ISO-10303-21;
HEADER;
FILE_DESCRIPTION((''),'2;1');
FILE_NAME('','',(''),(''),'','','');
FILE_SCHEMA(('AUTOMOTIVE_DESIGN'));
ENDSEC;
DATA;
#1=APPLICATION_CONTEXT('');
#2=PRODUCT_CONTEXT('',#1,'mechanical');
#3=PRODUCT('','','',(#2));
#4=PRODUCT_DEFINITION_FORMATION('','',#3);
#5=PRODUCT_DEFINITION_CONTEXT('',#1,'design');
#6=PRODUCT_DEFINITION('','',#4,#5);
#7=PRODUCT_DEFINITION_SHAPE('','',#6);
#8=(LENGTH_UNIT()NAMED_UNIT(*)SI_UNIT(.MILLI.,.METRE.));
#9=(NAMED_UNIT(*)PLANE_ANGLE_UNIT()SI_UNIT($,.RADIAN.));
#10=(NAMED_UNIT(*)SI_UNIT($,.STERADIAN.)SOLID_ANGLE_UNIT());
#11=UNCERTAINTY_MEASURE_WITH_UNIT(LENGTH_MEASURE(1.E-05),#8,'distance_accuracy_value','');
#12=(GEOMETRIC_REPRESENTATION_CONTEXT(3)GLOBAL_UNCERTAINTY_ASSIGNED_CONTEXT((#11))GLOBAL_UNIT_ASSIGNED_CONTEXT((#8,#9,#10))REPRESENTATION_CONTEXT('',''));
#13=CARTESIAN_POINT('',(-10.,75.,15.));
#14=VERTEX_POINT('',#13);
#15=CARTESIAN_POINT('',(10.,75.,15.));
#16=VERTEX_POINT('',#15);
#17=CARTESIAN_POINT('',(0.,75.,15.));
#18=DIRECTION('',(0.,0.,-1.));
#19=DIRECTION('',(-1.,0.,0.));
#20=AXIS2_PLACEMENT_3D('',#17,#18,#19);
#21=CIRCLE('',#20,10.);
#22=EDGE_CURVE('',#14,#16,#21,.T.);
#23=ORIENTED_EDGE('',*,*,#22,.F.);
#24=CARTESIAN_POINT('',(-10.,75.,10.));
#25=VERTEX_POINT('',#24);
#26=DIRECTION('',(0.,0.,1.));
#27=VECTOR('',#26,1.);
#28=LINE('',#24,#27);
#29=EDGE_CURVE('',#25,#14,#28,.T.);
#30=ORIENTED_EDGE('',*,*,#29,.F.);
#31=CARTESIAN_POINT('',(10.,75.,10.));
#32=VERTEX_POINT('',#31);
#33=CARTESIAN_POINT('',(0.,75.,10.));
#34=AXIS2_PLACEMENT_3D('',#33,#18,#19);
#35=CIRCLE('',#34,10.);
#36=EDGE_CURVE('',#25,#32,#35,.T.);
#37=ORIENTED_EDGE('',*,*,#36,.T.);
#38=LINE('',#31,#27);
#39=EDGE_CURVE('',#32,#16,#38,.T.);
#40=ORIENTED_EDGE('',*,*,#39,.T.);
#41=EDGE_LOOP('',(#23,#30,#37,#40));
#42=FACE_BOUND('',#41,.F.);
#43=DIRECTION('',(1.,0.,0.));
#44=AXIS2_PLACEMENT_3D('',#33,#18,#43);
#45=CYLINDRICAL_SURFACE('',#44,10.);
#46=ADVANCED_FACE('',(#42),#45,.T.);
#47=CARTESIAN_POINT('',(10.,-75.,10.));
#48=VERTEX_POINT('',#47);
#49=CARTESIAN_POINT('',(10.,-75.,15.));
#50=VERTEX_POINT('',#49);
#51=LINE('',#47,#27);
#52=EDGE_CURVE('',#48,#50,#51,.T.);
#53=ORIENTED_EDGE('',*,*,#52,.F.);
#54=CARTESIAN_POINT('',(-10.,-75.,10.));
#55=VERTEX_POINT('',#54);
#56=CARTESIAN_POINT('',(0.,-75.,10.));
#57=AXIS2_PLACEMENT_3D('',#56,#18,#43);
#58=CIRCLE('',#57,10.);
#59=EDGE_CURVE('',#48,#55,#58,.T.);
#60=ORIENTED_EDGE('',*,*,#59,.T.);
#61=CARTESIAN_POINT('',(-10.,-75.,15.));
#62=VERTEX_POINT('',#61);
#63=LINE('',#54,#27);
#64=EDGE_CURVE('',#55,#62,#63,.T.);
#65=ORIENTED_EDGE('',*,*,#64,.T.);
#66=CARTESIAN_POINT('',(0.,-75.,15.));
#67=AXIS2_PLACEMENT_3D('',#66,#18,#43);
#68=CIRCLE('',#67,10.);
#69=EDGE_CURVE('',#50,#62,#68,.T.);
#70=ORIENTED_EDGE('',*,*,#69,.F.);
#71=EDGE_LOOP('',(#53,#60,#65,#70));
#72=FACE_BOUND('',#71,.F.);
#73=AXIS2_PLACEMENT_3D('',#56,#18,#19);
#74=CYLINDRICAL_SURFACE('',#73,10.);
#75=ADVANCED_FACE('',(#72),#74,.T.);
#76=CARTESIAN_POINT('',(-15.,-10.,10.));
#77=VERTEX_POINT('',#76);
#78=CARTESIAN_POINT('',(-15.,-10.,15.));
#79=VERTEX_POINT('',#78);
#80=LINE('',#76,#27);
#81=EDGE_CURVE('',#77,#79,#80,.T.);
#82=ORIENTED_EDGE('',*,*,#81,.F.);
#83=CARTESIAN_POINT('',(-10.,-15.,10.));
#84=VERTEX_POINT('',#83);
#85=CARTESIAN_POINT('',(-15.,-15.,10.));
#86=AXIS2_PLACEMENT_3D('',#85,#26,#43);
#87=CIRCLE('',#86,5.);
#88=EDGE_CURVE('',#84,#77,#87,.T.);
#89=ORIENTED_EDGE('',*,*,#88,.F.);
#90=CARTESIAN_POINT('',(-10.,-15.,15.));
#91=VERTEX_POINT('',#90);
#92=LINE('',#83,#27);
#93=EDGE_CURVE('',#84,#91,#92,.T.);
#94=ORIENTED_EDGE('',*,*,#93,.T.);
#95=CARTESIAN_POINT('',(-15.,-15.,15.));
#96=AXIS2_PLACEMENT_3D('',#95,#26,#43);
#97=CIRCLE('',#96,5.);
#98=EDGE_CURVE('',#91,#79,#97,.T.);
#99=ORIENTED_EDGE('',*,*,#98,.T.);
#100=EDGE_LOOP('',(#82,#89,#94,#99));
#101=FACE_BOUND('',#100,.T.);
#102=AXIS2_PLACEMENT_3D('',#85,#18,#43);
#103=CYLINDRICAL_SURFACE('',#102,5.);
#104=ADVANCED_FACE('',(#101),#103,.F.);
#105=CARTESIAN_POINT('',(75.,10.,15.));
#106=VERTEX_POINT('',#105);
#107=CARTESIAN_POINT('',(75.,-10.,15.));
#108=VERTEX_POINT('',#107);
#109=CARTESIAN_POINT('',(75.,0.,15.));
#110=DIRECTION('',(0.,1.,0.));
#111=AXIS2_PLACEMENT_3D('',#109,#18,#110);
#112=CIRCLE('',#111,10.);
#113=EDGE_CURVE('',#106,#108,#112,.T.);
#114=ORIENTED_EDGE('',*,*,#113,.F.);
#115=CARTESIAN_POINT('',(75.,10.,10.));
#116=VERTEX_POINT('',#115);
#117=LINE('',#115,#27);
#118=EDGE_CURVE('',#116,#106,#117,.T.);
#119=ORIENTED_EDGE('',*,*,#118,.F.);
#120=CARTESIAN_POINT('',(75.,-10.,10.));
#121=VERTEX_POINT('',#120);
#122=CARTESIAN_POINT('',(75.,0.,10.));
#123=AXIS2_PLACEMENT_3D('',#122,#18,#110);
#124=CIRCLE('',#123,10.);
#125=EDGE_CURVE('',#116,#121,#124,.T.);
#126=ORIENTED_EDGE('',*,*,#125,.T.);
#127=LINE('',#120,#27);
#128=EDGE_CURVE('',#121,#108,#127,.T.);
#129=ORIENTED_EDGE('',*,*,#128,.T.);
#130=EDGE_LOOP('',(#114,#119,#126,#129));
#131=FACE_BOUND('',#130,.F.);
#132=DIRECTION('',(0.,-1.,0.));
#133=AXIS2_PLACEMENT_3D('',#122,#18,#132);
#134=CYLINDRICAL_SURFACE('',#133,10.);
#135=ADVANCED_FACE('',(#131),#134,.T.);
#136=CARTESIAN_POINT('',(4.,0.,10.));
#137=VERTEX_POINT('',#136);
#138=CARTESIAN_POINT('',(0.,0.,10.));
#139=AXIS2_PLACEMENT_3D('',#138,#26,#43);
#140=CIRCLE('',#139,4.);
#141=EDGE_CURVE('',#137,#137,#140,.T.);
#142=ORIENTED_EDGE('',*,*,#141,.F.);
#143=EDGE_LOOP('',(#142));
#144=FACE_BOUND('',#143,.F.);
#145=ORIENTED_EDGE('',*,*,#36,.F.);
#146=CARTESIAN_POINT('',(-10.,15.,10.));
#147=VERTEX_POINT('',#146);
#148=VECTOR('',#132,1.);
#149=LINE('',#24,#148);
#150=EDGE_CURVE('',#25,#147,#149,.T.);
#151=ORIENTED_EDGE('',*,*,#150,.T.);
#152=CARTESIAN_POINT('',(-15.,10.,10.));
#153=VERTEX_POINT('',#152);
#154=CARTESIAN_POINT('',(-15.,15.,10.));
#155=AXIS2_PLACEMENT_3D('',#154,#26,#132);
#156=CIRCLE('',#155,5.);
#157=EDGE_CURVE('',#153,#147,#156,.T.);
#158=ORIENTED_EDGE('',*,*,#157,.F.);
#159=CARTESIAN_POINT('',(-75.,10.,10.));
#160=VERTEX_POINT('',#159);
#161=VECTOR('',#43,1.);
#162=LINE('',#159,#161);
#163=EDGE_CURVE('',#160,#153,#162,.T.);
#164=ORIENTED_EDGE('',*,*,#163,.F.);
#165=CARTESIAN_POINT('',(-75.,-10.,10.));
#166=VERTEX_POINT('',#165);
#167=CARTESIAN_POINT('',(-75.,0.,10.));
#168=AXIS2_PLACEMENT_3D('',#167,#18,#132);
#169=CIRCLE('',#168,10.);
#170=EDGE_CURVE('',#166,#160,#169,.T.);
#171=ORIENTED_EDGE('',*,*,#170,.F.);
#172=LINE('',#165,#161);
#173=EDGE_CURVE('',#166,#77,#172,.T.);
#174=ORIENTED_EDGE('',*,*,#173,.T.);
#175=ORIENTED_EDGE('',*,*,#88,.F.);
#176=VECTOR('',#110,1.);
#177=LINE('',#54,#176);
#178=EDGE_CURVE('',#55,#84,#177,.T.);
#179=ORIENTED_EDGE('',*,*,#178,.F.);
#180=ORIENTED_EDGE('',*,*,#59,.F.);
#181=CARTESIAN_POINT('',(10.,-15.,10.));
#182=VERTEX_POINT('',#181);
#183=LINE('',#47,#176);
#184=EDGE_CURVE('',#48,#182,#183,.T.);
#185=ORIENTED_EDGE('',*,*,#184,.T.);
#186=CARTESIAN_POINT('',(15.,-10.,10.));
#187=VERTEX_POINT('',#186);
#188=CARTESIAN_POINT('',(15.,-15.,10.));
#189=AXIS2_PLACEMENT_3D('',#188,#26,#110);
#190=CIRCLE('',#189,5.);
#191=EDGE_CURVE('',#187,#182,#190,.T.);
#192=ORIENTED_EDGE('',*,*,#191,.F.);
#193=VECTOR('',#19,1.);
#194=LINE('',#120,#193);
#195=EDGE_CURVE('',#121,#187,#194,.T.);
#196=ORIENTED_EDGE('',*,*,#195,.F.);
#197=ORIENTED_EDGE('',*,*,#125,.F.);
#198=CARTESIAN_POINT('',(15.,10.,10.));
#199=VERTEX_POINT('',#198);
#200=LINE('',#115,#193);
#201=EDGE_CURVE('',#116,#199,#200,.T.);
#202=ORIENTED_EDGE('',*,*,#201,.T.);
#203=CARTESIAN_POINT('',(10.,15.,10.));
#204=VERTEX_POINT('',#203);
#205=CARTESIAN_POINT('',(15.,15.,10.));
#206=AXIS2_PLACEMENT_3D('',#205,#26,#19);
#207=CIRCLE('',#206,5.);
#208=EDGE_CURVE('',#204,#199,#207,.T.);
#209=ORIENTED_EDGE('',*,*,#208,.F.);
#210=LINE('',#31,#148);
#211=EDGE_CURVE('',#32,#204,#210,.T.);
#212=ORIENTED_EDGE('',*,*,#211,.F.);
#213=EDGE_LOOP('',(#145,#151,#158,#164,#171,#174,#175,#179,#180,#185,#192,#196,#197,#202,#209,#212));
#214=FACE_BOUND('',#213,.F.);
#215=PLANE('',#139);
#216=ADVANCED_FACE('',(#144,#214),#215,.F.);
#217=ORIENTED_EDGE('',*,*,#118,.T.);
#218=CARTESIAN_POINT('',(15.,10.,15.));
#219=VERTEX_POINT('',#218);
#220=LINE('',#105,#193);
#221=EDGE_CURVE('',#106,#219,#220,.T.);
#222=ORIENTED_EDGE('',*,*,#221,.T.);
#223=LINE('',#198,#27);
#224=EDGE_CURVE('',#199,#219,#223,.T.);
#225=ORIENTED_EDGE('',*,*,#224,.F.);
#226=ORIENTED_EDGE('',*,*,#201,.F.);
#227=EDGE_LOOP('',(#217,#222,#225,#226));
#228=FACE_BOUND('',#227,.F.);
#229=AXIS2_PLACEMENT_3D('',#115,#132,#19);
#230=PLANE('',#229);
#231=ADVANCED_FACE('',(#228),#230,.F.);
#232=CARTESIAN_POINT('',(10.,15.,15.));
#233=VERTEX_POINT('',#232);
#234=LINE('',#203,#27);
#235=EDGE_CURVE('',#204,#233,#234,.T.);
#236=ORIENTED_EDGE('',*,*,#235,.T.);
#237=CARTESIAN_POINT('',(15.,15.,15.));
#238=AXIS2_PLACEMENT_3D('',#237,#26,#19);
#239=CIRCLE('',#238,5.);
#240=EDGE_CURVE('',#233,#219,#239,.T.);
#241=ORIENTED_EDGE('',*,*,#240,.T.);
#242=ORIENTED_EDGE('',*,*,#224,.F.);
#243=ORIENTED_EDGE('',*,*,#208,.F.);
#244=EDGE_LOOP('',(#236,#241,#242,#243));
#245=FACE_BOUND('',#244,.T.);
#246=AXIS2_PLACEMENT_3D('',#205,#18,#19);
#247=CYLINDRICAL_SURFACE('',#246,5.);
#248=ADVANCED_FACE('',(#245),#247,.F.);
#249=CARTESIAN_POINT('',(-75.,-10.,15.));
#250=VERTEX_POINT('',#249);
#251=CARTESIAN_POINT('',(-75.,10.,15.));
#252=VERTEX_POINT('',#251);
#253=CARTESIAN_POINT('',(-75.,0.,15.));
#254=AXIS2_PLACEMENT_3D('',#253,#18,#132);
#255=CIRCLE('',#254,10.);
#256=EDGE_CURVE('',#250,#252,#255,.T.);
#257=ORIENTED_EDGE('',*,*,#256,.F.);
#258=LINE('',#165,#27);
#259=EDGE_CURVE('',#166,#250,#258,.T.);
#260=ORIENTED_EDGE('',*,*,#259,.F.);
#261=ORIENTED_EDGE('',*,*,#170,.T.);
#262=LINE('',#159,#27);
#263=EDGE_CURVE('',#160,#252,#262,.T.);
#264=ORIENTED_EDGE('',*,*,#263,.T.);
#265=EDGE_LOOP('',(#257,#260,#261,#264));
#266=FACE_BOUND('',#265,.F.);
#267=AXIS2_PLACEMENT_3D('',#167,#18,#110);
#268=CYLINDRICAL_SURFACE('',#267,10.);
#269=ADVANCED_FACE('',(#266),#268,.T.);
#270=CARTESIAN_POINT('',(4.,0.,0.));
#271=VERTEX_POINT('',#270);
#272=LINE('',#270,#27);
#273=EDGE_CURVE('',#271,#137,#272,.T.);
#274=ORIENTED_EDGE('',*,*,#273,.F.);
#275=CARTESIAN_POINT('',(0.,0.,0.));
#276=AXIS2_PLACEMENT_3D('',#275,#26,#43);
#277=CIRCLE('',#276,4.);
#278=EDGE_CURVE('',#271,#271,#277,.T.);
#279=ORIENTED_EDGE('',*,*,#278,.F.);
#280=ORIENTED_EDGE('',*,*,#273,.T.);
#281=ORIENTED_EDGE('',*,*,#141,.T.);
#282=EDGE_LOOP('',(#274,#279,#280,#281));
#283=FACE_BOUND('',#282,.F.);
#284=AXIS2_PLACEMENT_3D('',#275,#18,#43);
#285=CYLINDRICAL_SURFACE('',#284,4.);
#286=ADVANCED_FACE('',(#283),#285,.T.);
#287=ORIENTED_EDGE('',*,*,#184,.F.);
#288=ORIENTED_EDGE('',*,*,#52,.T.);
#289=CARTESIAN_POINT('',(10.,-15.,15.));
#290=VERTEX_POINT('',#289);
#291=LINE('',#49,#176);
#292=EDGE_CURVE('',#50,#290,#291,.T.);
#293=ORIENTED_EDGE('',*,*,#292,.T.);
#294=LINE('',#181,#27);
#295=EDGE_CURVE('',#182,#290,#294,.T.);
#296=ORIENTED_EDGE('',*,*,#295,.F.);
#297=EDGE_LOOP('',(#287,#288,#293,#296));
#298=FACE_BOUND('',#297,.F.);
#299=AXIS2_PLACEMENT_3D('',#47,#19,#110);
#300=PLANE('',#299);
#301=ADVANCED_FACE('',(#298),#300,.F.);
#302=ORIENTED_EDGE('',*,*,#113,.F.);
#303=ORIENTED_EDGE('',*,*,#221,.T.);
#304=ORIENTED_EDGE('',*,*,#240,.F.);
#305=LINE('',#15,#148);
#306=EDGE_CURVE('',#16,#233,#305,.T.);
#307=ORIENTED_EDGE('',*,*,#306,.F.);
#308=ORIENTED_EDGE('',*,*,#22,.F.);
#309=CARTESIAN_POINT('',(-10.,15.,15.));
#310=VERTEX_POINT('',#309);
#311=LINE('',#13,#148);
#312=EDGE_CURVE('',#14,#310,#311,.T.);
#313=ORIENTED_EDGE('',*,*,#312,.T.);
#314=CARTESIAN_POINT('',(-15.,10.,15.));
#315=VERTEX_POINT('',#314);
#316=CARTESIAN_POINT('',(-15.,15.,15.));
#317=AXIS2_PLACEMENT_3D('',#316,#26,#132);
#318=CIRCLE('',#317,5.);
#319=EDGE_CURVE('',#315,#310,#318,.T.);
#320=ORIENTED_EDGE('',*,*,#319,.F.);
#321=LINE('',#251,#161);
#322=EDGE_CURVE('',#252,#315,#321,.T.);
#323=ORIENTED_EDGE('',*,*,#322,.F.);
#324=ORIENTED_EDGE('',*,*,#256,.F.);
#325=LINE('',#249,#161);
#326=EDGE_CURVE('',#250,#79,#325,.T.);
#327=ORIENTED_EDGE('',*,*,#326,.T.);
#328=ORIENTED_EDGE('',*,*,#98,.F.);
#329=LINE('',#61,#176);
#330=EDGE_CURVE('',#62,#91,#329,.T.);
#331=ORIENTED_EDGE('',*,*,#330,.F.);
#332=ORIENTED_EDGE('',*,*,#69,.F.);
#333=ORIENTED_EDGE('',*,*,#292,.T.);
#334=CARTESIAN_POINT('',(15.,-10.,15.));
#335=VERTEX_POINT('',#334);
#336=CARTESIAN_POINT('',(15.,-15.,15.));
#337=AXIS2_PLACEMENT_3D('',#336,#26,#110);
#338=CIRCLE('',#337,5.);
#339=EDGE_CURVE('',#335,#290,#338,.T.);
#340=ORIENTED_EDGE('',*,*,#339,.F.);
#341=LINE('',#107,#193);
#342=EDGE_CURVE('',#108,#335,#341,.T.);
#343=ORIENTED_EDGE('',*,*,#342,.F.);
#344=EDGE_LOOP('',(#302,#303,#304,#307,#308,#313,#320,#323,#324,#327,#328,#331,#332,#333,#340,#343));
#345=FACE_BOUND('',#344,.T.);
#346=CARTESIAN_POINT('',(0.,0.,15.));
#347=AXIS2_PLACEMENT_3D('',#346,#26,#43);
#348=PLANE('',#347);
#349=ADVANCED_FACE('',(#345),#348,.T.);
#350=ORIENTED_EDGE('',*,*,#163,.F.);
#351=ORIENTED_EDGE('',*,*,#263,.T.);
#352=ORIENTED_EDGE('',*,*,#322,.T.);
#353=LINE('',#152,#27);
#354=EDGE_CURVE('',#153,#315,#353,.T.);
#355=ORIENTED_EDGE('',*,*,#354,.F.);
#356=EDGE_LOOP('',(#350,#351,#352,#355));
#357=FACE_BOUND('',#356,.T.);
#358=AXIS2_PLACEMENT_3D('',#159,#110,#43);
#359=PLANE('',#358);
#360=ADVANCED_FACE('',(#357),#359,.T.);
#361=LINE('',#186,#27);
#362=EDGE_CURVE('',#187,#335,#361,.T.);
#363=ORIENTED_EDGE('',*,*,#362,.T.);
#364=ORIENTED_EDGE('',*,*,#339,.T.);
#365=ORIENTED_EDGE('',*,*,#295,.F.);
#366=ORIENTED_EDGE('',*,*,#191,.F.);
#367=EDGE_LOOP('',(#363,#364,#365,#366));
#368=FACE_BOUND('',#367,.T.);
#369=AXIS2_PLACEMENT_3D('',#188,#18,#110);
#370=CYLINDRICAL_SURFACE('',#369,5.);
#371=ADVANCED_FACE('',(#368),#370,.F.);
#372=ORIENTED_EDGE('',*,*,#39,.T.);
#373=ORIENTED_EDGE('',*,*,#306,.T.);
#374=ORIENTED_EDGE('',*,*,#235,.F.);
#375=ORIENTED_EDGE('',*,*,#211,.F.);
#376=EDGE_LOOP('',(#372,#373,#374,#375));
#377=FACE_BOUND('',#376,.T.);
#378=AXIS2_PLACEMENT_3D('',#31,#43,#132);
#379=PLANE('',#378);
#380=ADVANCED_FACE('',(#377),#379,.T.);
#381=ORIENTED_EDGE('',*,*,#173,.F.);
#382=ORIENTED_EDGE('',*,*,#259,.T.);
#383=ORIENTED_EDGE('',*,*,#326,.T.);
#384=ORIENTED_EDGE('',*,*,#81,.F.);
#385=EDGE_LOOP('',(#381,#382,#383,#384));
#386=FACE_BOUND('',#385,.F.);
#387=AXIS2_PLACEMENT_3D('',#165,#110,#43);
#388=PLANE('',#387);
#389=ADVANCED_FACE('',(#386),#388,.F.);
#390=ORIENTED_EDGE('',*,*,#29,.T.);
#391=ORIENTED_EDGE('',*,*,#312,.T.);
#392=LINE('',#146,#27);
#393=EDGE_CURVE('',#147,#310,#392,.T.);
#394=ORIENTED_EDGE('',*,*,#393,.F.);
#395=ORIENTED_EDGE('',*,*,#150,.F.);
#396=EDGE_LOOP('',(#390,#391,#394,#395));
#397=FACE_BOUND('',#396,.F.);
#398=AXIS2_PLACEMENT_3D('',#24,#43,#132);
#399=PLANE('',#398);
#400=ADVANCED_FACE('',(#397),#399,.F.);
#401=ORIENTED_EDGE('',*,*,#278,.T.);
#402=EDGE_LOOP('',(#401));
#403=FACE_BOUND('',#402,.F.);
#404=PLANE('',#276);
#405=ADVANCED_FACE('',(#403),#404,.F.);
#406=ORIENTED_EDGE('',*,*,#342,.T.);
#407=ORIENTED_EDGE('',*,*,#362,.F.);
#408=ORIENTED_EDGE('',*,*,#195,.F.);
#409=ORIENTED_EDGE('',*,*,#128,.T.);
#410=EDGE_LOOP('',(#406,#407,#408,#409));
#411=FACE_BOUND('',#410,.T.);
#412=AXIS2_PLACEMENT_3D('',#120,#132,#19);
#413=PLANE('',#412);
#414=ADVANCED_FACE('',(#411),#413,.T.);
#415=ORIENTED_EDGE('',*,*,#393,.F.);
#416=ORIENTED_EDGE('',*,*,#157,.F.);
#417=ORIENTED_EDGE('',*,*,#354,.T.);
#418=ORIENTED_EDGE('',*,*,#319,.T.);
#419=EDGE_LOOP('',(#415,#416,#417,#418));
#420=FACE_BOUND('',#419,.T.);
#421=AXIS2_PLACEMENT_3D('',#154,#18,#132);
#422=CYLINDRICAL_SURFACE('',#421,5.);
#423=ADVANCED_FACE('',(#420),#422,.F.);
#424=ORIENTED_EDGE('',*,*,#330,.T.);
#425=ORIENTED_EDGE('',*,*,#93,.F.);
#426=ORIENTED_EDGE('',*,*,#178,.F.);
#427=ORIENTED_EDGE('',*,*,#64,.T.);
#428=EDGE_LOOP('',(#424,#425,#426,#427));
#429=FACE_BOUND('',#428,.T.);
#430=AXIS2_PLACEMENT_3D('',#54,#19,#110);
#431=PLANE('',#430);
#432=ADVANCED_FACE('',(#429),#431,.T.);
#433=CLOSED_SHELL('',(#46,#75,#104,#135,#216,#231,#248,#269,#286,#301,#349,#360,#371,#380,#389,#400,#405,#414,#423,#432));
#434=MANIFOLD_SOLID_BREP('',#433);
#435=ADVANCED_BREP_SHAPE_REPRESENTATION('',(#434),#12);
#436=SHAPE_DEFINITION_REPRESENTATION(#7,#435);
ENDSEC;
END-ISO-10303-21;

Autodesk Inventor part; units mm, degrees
ref_plane "YZ Plane" through (0, 0, 0) normal (1, 0, 0) x (0, 1, 0)
ref_plane "XZ Plane" through (0, 0, 0) normal (0, 1, 0) x (-1, 0, 0)
ref_plane "XY Plane" through (0, 0, 0) normal (0, 0, 1) x (1, 0, 0)
sketch "Skizze1" plane through (0, 0, 0) normal (0, 0, 1) x (1, 0, 0)
  circle A0 centre (0, 0) radius 4
  dimension "d0" = 8
extrude "Extrusion1" add sketch "Skizze1" along normal blind 10
sketch "Skizze2" plane through (0, 0, 10) normal (0, 0, 1) x (1, 0, 0)
  circle A0 centre (0, 0) radius 4 projected
  line L0 (-75, 10) -> (-15, 10)
  arc A1 (-15, 10) -> (-10, 15) centre (-15, 15) ccw
  arc A2 (10, 75) -> (-10, 75) centre (0, 75) ccw
  line L1 (0, -121.8995) -> (0, 121.8995) projected
  line L2 (-10, 75) -> (-10, 15)
  line L3 (-121.8995, 0) -> (121.8995, 0) projected
  arc A3 (-75, 10) -> (-85, 0) centre (-75, 0) ccw
  circle A4 centre (0, 75) radius 3.05
  arc A5 (-10, -75) -> (0, -85) centre (0, -75) ccw
  line L4 (-10, -75) -> (-10, -15)
  arc A6 (-10, -15) -> (-15, -10) centre (-15, -15) ccw
  line L5 (-75, -10) -> (-15, -10)
  arc A7 (-75, 10) -> (-75, -10) centre (-75, 0) ccw
  circle A8 centre (-75, 0) radius 3.05
  arc A9 (75, -10) -> (85, 0) centre (75, 0) ccw
  line L6 (75, -10) -> (15, -10)
  arc A10 (15, -10) -> (10, -15) centre (15, -15) ccw
  line L7 (10, -75) -> (10, -15)
  arc A11 (-10, -75) -> (10, -75) centre (0, -75) ccw
  circle A12 centre (0, -75) radius 3.05
  arc A13 (10, 75) -> (0, 85) centre (0, 75) ccw
  line L8 (10, 75) -> (10, 15)
  arc A14 (10, 15) -> (15, 10) centre (15, 15) ccw
  line L9 (75, 10) -> (15, 10)
  arc A15 (75, -10) -> (75, 10) centre (75, 0) ccw
  circle A16 centre (75, 0) radius 3.05
  point P0 (-85, 0)
  point P1 (0, -85)
  point P2 (85, 0)
  point P3 (10, 75)
  dimension "d3" = 10
  dimension "d4" = 5
  dimension "d5" = 10
  dimension "d6" = 75
  dimension "d7" = 75
  dimension "d8" = 6.1
  dimension "d11" = 360
extrude "Extrusion2" add sketch "Skizze2" along normal blind 5 contours L3 L1 A0 | L3 A16 A9 L6 A10 L7 A11 L1 A12 A0 | A0 L1 L3 | A0 L1 A4 A2 L8 A14 L9 A15 L3 A16 | L1 L3 A0 | A0 L3 A8 A3 L0 A1 L2 A2 L1 A4 | L1 A12 A5 L4 A6 L5 A7 L3 A8 A0 | A0 L3 L1
sketch "Skizze3" plane through (0, 0, 15) normal (0, 0, 1) x (1, 0, 0)
  circle A0 centre (0, -75) radius 3.05 projected
  circle A1 centre (75, 0) radius 3.05 projected
  circle A2 centre (0, 75) radius 3.05 projected
  circle A3 centre (-75, 0) radius 3.05 projected
  point P0 (0, 0)
extrude "Extrusion3" add sketch "Skizze3" against normal up to surface (5 mm away)
properties part number "Adapter_Drehteller"
